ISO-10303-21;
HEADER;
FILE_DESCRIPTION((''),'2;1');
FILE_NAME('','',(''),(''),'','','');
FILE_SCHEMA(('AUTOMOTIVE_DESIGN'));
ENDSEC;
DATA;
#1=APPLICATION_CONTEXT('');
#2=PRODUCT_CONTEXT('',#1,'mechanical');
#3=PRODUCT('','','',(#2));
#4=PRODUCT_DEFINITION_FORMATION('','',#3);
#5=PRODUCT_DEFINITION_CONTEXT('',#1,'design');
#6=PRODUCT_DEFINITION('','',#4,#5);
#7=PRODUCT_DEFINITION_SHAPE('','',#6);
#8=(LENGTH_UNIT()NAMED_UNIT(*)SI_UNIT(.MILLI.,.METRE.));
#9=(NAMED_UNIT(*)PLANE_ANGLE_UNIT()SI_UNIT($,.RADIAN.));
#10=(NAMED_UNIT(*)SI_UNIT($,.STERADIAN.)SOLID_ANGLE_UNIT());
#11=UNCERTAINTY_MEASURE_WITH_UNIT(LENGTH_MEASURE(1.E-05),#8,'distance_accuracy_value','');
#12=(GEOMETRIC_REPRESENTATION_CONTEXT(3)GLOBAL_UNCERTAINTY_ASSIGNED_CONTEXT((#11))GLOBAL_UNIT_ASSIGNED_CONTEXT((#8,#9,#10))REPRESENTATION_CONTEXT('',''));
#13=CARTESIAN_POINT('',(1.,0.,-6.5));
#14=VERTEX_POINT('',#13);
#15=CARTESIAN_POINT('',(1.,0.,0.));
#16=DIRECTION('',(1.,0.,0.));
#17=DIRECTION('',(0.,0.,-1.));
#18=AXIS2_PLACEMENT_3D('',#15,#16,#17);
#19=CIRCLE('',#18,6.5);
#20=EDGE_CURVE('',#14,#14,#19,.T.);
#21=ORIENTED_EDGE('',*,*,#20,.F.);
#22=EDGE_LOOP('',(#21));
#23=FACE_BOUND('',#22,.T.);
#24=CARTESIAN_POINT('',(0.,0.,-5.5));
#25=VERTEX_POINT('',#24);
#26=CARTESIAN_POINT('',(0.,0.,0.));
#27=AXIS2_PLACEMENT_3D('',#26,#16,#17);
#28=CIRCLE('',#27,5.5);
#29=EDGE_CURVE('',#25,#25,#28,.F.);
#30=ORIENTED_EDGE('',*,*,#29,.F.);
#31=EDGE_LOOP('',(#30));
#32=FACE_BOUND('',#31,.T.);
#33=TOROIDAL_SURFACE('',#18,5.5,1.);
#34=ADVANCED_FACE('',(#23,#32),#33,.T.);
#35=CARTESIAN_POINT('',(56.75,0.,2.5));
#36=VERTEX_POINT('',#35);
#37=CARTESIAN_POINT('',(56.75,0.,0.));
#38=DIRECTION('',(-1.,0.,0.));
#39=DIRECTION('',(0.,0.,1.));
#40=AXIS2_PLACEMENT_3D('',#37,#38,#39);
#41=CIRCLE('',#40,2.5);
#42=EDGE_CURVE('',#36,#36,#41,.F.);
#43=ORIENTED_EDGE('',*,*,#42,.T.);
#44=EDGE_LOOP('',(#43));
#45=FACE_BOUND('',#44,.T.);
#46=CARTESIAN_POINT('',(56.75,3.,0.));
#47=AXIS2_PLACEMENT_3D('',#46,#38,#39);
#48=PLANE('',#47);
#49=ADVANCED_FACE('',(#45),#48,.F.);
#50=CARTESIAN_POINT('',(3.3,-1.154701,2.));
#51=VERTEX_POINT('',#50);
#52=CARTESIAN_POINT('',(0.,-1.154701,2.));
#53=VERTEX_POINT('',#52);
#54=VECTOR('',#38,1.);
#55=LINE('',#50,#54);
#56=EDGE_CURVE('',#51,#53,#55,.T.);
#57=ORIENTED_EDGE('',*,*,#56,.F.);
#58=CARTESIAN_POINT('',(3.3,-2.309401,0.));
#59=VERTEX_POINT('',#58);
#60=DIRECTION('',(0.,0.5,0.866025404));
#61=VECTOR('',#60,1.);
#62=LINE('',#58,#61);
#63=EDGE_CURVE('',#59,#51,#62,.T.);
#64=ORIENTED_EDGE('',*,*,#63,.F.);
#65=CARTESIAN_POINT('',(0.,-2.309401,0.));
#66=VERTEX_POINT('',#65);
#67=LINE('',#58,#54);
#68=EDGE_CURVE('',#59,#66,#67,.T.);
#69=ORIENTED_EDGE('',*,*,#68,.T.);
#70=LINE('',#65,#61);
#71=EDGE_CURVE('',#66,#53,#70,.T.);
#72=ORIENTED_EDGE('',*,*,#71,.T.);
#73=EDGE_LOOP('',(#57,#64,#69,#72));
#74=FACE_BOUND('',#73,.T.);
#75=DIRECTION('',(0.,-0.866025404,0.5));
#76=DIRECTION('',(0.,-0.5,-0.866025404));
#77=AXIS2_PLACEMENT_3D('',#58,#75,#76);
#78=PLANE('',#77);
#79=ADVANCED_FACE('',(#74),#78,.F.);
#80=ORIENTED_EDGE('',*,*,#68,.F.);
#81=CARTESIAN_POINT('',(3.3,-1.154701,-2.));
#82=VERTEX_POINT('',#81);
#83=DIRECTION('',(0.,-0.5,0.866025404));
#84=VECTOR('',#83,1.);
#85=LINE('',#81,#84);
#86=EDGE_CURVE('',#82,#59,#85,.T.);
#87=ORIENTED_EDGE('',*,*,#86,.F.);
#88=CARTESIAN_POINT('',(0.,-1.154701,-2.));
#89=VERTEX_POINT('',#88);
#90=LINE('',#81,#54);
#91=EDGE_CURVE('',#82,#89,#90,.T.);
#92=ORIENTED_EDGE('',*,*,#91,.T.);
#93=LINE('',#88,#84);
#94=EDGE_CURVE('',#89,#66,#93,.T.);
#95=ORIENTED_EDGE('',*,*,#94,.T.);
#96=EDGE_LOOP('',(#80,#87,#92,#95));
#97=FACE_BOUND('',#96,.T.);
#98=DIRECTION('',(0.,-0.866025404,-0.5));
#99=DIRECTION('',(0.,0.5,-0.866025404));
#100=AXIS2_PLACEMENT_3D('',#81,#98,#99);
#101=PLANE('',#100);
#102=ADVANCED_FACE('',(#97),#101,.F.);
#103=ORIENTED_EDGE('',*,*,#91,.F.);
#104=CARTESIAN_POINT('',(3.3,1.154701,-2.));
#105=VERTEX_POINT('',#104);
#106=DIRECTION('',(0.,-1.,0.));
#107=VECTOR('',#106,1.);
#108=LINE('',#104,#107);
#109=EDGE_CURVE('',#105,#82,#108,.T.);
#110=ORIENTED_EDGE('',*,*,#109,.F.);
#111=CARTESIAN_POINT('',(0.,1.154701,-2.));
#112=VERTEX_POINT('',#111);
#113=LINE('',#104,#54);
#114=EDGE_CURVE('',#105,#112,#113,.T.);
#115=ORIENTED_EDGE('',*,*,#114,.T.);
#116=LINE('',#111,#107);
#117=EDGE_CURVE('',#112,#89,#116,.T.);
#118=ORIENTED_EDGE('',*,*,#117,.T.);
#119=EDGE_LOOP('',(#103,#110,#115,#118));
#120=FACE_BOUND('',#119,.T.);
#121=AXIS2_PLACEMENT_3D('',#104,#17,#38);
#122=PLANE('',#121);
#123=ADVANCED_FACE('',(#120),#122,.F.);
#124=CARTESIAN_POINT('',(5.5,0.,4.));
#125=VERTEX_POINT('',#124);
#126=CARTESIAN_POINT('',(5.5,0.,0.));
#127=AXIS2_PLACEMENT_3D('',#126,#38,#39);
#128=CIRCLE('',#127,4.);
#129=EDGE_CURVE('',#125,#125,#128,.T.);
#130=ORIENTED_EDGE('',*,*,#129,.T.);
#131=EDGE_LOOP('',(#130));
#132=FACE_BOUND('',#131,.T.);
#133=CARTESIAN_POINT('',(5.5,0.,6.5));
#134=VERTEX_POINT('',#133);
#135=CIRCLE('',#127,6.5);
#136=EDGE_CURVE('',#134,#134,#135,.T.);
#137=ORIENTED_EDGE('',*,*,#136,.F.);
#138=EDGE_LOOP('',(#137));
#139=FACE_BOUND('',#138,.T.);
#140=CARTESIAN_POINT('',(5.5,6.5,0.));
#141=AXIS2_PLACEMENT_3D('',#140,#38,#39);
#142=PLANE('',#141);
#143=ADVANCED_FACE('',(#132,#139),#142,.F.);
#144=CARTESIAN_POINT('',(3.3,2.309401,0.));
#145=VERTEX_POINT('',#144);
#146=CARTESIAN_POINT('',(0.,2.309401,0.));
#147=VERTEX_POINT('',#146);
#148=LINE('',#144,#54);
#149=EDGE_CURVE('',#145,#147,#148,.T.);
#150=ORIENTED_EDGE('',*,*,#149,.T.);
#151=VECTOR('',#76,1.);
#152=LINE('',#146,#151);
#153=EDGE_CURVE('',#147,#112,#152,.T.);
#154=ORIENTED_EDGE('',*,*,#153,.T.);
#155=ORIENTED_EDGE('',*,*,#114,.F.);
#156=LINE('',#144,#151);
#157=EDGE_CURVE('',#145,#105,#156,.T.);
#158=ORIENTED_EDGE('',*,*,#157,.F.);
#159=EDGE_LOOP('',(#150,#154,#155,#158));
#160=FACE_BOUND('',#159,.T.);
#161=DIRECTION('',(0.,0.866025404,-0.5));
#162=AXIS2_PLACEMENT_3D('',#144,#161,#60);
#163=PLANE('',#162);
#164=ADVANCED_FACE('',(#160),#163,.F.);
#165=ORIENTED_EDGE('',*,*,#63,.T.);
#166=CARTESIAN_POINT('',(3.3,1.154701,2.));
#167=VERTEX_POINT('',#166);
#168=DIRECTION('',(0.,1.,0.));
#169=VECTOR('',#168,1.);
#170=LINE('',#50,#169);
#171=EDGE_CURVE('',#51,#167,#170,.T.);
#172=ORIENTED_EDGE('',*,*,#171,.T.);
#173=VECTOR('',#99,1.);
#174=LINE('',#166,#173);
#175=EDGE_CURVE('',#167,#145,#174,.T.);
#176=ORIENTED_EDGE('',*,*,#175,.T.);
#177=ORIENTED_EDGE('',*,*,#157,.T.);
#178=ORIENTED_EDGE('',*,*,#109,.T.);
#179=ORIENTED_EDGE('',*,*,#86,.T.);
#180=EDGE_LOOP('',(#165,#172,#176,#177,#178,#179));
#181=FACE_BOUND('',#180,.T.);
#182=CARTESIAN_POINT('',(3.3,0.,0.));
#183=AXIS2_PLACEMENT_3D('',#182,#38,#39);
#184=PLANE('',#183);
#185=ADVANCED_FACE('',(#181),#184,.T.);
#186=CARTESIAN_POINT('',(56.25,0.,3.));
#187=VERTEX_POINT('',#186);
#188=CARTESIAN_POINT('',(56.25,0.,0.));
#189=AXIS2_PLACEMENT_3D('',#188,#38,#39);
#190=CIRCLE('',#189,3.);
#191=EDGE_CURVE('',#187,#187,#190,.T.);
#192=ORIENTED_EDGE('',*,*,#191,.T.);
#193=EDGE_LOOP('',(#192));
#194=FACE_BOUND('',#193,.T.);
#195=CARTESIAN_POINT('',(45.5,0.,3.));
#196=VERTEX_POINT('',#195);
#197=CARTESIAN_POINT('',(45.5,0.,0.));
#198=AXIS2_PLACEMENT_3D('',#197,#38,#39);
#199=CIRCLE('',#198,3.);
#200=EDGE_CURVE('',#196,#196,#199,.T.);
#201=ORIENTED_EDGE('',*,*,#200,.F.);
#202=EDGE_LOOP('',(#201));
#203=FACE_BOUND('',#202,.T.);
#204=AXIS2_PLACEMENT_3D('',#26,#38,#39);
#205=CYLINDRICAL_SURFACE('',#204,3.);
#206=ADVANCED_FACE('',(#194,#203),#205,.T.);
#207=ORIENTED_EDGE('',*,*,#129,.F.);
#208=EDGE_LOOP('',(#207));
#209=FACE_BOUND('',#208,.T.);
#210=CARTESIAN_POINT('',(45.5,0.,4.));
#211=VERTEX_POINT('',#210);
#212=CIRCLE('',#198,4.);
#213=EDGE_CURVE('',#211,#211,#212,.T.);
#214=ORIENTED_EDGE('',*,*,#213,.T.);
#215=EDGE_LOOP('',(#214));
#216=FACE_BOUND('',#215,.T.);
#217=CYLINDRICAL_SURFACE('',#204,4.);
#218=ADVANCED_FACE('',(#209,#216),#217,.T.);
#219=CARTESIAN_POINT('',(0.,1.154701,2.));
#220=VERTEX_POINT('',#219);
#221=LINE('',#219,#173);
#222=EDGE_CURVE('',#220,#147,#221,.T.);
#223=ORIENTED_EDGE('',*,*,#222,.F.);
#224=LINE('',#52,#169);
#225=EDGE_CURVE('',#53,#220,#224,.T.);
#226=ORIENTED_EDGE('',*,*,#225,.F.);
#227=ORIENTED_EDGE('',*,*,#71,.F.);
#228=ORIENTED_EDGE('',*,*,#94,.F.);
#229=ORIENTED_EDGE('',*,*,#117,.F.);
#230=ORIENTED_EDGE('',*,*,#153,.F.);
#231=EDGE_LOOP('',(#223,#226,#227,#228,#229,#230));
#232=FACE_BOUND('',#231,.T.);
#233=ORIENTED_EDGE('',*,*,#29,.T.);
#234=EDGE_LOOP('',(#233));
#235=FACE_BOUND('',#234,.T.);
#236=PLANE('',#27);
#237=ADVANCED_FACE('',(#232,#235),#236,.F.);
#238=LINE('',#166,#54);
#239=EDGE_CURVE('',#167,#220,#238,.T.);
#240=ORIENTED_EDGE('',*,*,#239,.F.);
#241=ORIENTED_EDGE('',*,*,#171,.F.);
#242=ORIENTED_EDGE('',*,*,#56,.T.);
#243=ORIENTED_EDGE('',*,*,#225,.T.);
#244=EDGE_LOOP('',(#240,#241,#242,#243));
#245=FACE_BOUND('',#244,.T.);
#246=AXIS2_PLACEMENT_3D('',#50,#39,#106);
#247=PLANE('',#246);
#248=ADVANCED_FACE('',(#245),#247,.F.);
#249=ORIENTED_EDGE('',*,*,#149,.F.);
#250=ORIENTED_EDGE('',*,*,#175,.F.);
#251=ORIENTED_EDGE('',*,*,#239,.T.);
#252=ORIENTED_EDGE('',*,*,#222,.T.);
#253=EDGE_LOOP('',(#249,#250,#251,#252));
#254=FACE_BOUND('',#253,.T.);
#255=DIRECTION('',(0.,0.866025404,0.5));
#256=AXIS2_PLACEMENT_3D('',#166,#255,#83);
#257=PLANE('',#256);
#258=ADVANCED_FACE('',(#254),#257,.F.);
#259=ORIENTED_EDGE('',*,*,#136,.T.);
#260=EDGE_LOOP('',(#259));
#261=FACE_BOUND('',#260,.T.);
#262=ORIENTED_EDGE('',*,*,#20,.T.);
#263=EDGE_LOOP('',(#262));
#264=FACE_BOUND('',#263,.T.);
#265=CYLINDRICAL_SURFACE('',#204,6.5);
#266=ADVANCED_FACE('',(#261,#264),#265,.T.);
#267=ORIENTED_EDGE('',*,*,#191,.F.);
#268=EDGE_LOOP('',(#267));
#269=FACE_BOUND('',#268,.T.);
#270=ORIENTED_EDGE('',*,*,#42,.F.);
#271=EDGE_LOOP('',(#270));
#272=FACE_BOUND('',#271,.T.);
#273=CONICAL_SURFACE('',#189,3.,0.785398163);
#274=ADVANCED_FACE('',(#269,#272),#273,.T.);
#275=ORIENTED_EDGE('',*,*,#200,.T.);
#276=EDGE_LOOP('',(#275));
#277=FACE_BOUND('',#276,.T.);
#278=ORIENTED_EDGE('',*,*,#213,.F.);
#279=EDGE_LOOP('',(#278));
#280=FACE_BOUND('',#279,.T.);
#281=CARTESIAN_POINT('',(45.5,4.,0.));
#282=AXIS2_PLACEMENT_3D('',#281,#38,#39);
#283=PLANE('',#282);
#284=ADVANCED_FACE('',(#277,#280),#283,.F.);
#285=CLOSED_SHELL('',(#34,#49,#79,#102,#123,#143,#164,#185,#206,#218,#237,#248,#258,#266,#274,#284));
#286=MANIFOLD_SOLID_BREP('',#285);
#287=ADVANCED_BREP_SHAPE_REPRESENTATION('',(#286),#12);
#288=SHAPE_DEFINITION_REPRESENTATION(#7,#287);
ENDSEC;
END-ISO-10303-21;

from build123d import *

# Parameters (mm, degrees)
CUT_EXTRUDE_1_DEPTH = 3.3
FILLET_1_R          = 1
CHAMFER_1_SIZE      = 0.5


with BuildPart() as part:
    # 草图1 → 旋转1 (revolve)
    with BuildSketch(Plane.XY):
        Polygon((0, 0), (0, 6.5), (5.5, 6.5), (5.5, 4), (45.5, 4), (45.5, 3), (56.75, 3), (56.75, 0), align=None)
    revolve(axis=Axis((0, 0, 0), (1, 0, 0)))

    # 草图2 → 切除-拉伸1 (cut)
    with BuildSketch(Plane.ZY):
        Polygon((0, 2.309401077), (-2, 1.154700538), (-2, -1.154700538), (0, -2.309401077), (2, -1.154700538), (2, 1.154700538), align=None)
    extrude(amount=-CUT_EXTRUDE_1_DEPTH, mode=Mode.SUBTRACT)

    # 圆角1
    fillet_1_edges = [part.edges().sort_by_distance(p)[0] for p in [
        (0, -6.5, 0),
    ]]
    fillet(fillet_1_edges, radius=FILLET_1_R)

    # 倒角1
    chamfer_1_edges = [part.edges().sort_by_distance(p)[0] for p in [
        (56.75, -3, 0),
    ]]
    chamfer(chamfer_1_edges, length=CHAMFER_1_SIZE)


solid = part.part
